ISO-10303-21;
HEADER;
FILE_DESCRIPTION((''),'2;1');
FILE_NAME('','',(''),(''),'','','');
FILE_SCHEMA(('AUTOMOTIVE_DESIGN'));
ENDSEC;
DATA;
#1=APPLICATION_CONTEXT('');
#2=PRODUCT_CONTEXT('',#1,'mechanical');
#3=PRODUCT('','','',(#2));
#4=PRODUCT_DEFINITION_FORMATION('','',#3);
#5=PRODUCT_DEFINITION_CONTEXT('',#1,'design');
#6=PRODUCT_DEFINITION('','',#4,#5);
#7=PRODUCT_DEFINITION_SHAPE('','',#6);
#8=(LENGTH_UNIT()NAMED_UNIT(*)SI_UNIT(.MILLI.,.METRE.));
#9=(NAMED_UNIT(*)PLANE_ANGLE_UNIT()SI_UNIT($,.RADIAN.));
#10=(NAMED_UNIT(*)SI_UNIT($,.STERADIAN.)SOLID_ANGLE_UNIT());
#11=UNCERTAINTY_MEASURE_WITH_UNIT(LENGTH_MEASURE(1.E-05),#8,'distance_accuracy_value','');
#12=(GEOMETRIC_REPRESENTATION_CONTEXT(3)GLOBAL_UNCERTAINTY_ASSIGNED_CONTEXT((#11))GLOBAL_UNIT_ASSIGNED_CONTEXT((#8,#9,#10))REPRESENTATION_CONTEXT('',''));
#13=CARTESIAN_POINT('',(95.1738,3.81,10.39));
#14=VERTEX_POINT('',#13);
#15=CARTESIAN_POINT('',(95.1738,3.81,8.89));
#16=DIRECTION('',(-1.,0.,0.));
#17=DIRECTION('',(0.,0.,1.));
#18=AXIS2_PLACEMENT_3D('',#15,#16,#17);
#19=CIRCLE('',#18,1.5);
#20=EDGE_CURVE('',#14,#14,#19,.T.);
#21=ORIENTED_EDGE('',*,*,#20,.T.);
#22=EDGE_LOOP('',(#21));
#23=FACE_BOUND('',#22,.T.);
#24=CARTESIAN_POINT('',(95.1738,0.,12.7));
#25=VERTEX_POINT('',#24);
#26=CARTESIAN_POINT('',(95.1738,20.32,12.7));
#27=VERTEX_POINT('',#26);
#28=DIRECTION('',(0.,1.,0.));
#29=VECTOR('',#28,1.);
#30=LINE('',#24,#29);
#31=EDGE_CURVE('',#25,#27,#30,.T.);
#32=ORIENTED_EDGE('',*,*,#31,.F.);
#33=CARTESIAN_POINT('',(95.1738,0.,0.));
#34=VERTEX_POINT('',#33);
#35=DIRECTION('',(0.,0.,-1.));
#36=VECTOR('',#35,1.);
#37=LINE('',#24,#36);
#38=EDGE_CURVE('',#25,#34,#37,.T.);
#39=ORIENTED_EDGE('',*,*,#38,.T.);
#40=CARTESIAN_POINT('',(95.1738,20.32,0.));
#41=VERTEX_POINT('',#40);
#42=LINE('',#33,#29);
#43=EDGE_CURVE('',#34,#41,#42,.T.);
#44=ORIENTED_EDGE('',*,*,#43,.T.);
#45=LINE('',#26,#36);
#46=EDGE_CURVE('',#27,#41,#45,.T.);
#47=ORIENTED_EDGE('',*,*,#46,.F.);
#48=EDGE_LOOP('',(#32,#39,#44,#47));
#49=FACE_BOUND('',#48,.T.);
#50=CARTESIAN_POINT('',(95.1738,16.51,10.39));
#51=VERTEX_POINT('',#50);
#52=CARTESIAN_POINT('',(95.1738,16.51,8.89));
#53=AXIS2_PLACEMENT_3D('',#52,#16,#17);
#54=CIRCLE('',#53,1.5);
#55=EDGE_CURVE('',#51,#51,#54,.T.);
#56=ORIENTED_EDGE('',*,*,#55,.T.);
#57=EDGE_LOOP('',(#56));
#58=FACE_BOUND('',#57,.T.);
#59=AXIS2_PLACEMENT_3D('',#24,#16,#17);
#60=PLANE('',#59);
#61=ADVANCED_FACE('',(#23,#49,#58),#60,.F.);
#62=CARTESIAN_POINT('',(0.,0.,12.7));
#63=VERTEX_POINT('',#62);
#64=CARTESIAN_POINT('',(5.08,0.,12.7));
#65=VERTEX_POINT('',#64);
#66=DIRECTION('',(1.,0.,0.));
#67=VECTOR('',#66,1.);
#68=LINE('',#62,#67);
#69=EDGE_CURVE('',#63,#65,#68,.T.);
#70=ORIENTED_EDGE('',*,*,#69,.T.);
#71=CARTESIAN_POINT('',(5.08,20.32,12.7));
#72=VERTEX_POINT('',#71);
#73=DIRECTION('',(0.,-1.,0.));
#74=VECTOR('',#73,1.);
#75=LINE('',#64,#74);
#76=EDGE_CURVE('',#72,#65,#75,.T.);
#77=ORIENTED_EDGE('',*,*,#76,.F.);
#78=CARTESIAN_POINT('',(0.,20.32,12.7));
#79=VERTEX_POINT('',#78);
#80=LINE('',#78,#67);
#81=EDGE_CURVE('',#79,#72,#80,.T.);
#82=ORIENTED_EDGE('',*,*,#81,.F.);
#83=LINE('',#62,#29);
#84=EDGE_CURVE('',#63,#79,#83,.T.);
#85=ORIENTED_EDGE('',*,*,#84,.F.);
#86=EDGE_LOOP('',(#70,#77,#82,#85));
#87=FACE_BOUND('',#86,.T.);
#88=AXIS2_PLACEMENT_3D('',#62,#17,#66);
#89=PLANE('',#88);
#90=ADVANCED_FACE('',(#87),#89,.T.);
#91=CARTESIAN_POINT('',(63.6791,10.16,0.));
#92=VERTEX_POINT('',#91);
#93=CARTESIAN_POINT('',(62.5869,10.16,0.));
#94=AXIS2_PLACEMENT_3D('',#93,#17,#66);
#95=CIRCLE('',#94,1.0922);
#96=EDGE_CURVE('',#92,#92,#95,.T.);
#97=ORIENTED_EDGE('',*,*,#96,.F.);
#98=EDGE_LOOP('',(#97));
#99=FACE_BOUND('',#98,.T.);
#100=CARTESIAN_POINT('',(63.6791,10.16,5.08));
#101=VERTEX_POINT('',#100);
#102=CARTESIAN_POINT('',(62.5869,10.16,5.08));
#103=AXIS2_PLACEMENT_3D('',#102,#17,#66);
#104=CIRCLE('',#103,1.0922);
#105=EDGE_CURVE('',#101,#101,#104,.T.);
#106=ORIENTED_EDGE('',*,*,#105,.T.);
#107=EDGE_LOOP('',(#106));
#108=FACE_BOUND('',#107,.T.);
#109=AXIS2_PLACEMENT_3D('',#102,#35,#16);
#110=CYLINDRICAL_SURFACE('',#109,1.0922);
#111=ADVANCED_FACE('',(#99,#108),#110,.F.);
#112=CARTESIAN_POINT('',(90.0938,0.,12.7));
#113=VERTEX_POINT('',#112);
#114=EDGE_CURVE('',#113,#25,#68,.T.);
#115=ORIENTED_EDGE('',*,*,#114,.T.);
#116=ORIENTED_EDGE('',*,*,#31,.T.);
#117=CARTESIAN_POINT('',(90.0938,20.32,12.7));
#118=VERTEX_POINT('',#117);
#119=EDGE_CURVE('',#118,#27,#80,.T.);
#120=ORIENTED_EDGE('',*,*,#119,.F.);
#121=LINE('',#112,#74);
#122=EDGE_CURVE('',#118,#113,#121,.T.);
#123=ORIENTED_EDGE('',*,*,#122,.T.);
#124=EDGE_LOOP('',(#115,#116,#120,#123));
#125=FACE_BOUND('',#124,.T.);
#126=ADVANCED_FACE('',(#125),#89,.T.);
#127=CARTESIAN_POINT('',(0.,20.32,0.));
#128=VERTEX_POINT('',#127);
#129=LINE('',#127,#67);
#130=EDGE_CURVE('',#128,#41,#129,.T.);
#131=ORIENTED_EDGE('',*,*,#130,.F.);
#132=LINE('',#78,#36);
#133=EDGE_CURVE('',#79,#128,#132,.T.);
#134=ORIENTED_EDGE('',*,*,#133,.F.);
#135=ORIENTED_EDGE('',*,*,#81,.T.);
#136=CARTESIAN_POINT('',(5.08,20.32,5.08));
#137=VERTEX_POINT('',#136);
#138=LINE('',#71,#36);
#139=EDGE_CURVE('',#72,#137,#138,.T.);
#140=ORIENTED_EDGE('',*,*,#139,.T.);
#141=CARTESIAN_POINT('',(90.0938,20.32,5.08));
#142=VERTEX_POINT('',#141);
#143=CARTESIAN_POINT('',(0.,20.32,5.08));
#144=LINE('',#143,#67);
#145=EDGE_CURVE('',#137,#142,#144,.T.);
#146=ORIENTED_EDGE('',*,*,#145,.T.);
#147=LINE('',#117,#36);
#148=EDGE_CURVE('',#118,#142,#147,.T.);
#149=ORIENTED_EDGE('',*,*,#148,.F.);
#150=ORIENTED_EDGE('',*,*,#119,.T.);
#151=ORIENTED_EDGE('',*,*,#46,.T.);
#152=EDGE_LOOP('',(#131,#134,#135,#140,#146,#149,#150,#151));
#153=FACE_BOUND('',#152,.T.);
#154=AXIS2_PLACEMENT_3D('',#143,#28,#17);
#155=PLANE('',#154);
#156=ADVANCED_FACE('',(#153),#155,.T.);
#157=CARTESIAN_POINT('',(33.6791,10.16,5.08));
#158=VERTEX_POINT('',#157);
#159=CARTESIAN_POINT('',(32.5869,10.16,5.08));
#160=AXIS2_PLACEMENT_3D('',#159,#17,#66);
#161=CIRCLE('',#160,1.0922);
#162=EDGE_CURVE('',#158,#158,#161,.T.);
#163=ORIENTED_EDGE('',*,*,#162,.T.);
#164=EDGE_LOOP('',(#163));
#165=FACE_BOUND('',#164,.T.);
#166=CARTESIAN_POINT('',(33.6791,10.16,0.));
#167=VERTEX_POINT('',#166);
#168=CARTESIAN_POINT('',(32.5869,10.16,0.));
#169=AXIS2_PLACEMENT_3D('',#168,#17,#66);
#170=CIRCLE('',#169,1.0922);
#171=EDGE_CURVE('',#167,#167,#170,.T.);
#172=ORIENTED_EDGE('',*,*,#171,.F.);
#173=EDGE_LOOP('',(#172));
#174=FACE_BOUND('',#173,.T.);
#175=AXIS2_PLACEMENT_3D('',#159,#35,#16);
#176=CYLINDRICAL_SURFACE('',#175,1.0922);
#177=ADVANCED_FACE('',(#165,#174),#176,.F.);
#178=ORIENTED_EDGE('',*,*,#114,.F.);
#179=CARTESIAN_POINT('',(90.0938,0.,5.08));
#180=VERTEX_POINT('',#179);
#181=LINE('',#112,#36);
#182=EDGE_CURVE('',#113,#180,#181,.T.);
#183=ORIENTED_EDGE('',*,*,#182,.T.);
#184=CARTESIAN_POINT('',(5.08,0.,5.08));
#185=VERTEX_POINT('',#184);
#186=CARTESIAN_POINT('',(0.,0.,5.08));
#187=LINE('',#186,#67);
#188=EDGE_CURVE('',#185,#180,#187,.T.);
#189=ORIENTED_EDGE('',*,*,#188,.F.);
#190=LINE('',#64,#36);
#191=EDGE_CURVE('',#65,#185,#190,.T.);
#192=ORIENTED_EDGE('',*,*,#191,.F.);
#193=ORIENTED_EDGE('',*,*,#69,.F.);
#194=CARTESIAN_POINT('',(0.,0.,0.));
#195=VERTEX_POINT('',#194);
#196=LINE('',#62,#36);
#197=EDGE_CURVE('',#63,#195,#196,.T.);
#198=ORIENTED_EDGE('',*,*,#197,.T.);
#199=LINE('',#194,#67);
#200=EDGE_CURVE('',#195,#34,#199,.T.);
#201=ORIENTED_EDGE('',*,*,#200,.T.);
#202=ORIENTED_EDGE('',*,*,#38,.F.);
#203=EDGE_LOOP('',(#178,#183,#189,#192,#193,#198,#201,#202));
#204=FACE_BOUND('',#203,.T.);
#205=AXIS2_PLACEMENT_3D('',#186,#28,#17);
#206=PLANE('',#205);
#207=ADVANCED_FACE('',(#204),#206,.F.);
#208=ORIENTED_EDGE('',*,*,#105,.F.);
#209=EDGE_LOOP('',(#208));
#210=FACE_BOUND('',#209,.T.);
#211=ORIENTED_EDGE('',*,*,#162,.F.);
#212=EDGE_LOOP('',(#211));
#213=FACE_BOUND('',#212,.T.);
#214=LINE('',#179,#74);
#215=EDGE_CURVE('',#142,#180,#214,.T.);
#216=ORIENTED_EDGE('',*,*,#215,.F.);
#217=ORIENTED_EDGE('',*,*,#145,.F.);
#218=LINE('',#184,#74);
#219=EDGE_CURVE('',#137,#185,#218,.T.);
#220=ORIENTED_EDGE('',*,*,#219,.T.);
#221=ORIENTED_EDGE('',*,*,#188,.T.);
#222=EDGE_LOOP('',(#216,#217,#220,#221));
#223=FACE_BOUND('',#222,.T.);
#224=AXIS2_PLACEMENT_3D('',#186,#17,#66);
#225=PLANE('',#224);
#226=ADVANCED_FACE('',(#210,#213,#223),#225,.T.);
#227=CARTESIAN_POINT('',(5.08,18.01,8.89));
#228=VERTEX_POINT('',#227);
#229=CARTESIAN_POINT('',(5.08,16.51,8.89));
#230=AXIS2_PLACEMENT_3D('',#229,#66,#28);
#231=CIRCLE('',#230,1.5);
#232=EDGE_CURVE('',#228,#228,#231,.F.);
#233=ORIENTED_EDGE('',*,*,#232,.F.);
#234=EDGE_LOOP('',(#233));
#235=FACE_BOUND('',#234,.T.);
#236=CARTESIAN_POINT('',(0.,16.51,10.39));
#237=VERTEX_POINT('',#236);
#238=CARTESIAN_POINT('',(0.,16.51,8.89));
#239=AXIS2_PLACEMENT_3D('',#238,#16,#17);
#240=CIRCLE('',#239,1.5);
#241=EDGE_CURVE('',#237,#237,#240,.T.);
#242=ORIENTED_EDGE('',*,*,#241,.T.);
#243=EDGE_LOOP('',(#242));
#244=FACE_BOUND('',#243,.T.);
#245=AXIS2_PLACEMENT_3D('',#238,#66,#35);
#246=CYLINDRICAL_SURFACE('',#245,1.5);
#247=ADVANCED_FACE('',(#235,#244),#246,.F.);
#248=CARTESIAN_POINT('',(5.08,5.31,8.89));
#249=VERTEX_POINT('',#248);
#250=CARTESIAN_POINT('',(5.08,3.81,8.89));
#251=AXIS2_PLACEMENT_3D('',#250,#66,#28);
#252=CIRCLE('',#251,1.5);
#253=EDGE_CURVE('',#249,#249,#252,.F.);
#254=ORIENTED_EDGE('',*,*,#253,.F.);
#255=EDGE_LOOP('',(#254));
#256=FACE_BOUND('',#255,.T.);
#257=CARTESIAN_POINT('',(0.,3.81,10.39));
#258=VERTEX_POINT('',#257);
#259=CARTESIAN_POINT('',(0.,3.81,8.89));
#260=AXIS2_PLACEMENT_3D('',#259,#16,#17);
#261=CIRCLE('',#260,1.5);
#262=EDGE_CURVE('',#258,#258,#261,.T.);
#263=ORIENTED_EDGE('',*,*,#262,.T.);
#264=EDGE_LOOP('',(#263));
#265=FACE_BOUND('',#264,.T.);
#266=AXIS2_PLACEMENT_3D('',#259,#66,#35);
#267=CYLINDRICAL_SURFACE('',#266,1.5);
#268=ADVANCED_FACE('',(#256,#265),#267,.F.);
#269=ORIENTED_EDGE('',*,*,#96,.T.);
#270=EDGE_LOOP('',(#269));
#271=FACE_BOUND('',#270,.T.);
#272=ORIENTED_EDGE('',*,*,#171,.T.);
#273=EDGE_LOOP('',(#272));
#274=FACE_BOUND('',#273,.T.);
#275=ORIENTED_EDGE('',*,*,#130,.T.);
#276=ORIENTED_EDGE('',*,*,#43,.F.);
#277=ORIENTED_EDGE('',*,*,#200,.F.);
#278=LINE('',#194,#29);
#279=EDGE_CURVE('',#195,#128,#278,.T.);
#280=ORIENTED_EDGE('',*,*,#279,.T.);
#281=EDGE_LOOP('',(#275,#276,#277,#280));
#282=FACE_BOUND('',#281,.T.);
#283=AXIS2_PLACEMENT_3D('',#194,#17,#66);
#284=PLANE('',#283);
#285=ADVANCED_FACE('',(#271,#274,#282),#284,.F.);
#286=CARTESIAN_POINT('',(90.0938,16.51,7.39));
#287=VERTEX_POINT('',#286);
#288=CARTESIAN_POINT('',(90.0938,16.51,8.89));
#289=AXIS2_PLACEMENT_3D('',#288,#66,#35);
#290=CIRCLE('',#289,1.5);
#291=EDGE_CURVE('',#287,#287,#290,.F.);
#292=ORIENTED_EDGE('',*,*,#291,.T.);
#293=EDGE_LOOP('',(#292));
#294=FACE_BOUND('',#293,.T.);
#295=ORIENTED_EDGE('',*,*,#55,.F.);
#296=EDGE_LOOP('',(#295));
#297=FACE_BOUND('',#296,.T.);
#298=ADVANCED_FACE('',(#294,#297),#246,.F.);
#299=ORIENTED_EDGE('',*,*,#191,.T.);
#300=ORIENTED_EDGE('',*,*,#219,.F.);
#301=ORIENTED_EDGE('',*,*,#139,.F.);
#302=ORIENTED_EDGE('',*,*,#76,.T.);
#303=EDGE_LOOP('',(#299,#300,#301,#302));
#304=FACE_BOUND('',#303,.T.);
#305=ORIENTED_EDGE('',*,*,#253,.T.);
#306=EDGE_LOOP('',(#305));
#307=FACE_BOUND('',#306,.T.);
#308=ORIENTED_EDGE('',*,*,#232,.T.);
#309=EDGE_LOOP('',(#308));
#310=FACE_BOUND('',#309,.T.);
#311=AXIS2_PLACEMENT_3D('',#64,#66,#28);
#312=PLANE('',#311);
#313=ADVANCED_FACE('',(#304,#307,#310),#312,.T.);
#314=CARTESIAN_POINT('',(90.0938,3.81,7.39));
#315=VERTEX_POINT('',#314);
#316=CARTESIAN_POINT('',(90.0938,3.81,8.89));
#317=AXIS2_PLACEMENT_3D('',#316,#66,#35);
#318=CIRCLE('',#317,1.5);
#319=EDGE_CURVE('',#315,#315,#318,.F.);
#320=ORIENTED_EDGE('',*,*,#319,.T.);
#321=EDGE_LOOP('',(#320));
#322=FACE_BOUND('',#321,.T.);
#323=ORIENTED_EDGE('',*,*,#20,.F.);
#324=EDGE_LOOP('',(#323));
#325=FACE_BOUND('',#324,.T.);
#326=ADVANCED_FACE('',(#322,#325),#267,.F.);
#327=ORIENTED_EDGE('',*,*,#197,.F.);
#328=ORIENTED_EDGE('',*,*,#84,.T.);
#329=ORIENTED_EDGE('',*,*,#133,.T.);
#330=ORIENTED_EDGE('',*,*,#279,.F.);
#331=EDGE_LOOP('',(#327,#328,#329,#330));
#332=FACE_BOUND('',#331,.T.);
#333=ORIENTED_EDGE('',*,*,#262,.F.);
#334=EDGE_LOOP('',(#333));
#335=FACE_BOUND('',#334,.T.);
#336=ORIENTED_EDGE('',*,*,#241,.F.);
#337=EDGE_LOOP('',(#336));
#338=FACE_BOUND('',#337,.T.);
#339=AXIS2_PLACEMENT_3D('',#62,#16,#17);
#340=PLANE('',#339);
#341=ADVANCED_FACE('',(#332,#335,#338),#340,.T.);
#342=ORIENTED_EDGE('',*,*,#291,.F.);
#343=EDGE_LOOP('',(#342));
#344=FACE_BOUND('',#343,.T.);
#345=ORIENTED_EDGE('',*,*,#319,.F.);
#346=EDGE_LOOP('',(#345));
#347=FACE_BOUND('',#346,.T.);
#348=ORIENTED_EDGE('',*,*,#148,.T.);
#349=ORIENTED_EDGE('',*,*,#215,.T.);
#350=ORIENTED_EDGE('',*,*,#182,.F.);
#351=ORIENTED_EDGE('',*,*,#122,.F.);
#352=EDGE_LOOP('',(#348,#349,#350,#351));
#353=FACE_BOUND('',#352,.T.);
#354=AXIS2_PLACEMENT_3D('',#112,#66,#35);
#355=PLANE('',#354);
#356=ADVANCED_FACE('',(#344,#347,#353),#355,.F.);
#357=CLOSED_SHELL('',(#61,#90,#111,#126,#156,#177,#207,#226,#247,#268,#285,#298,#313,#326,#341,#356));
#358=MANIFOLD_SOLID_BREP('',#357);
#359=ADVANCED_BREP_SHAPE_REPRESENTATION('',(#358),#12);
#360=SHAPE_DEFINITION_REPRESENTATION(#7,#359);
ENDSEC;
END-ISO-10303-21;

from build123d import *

# Parameters (mm, degrees)
SKETCH1_W               = 85.0138
SKETCH1_H               = 20.32
SKETCH1_R               = 1.0922
BOSS_EXTRUDE1_DEPTH     = 5.08
SKETCH1_3_W             = 5.08
SKETCH1_3_H             = 20.32
BOSS_EXTRUDE2_DEPTH     = 12.7
CUT_EXTRUDE1_DEPTH      = 94.22598993
CUT_EXTRUDE1_DEPTH_BACK = 94.22598993
SKETCH2_R               = 1.5


with BuildPart() as part:
    # Sketch1 → Boss-Extrude1 (new body)
    with BuildSketch(Plane.XY):
        with Locations((47.5869, 10.16)):
            Rectangle(SKETCH1_W, SKETCH1_H)
        with Locations((62.5869, 10.16)):
            Circle(SKETCH1_R, mode=Mode.SUBTRACT)
        with Locations((32.5869, 10.16)):
            Circle(SKETCH1_R, mode=Mode.SUBTRACT)
    extrude(amount=BOSS_EXTRUDE1_DEPTH)

    # Sketch1<3> → Boss-Extrude2 (add)
    with BuildSketch(Plane.XY):
        with Locations((92.6338, 10.16)):
            Rectangle(SKETCH1_3_W, SKETCH1_3_H)
        with Locations((2.54, 10.16)):
            Rectangle(SKETCH1_3_W, SKETCH1_3_H)
    extrude(amount=BOSS_EXTRUDE2_DEPTH)

    # Sketch2 → Cut-Extrude1 (cut, two sides: drawn at the far end of the back side and taken through both)
    with BuildSketch(Plane.ZY.offset(-90.0938).offset(-CUT_EXTRUDE1_DEPTH_BACK)):
        with Locations((8.89, 16.51)):
            Circle(SKETCH2_R)
        with Locations((8.89, 3.81)):
            Circle(SKETCH2_R)
    extrude(amount=CUT_EXTRUDE1_DEPTH + CUT_EXTRUDE1_DEPTH_BACK, mode=Mode.SUBTRACT)


solid = part.part
